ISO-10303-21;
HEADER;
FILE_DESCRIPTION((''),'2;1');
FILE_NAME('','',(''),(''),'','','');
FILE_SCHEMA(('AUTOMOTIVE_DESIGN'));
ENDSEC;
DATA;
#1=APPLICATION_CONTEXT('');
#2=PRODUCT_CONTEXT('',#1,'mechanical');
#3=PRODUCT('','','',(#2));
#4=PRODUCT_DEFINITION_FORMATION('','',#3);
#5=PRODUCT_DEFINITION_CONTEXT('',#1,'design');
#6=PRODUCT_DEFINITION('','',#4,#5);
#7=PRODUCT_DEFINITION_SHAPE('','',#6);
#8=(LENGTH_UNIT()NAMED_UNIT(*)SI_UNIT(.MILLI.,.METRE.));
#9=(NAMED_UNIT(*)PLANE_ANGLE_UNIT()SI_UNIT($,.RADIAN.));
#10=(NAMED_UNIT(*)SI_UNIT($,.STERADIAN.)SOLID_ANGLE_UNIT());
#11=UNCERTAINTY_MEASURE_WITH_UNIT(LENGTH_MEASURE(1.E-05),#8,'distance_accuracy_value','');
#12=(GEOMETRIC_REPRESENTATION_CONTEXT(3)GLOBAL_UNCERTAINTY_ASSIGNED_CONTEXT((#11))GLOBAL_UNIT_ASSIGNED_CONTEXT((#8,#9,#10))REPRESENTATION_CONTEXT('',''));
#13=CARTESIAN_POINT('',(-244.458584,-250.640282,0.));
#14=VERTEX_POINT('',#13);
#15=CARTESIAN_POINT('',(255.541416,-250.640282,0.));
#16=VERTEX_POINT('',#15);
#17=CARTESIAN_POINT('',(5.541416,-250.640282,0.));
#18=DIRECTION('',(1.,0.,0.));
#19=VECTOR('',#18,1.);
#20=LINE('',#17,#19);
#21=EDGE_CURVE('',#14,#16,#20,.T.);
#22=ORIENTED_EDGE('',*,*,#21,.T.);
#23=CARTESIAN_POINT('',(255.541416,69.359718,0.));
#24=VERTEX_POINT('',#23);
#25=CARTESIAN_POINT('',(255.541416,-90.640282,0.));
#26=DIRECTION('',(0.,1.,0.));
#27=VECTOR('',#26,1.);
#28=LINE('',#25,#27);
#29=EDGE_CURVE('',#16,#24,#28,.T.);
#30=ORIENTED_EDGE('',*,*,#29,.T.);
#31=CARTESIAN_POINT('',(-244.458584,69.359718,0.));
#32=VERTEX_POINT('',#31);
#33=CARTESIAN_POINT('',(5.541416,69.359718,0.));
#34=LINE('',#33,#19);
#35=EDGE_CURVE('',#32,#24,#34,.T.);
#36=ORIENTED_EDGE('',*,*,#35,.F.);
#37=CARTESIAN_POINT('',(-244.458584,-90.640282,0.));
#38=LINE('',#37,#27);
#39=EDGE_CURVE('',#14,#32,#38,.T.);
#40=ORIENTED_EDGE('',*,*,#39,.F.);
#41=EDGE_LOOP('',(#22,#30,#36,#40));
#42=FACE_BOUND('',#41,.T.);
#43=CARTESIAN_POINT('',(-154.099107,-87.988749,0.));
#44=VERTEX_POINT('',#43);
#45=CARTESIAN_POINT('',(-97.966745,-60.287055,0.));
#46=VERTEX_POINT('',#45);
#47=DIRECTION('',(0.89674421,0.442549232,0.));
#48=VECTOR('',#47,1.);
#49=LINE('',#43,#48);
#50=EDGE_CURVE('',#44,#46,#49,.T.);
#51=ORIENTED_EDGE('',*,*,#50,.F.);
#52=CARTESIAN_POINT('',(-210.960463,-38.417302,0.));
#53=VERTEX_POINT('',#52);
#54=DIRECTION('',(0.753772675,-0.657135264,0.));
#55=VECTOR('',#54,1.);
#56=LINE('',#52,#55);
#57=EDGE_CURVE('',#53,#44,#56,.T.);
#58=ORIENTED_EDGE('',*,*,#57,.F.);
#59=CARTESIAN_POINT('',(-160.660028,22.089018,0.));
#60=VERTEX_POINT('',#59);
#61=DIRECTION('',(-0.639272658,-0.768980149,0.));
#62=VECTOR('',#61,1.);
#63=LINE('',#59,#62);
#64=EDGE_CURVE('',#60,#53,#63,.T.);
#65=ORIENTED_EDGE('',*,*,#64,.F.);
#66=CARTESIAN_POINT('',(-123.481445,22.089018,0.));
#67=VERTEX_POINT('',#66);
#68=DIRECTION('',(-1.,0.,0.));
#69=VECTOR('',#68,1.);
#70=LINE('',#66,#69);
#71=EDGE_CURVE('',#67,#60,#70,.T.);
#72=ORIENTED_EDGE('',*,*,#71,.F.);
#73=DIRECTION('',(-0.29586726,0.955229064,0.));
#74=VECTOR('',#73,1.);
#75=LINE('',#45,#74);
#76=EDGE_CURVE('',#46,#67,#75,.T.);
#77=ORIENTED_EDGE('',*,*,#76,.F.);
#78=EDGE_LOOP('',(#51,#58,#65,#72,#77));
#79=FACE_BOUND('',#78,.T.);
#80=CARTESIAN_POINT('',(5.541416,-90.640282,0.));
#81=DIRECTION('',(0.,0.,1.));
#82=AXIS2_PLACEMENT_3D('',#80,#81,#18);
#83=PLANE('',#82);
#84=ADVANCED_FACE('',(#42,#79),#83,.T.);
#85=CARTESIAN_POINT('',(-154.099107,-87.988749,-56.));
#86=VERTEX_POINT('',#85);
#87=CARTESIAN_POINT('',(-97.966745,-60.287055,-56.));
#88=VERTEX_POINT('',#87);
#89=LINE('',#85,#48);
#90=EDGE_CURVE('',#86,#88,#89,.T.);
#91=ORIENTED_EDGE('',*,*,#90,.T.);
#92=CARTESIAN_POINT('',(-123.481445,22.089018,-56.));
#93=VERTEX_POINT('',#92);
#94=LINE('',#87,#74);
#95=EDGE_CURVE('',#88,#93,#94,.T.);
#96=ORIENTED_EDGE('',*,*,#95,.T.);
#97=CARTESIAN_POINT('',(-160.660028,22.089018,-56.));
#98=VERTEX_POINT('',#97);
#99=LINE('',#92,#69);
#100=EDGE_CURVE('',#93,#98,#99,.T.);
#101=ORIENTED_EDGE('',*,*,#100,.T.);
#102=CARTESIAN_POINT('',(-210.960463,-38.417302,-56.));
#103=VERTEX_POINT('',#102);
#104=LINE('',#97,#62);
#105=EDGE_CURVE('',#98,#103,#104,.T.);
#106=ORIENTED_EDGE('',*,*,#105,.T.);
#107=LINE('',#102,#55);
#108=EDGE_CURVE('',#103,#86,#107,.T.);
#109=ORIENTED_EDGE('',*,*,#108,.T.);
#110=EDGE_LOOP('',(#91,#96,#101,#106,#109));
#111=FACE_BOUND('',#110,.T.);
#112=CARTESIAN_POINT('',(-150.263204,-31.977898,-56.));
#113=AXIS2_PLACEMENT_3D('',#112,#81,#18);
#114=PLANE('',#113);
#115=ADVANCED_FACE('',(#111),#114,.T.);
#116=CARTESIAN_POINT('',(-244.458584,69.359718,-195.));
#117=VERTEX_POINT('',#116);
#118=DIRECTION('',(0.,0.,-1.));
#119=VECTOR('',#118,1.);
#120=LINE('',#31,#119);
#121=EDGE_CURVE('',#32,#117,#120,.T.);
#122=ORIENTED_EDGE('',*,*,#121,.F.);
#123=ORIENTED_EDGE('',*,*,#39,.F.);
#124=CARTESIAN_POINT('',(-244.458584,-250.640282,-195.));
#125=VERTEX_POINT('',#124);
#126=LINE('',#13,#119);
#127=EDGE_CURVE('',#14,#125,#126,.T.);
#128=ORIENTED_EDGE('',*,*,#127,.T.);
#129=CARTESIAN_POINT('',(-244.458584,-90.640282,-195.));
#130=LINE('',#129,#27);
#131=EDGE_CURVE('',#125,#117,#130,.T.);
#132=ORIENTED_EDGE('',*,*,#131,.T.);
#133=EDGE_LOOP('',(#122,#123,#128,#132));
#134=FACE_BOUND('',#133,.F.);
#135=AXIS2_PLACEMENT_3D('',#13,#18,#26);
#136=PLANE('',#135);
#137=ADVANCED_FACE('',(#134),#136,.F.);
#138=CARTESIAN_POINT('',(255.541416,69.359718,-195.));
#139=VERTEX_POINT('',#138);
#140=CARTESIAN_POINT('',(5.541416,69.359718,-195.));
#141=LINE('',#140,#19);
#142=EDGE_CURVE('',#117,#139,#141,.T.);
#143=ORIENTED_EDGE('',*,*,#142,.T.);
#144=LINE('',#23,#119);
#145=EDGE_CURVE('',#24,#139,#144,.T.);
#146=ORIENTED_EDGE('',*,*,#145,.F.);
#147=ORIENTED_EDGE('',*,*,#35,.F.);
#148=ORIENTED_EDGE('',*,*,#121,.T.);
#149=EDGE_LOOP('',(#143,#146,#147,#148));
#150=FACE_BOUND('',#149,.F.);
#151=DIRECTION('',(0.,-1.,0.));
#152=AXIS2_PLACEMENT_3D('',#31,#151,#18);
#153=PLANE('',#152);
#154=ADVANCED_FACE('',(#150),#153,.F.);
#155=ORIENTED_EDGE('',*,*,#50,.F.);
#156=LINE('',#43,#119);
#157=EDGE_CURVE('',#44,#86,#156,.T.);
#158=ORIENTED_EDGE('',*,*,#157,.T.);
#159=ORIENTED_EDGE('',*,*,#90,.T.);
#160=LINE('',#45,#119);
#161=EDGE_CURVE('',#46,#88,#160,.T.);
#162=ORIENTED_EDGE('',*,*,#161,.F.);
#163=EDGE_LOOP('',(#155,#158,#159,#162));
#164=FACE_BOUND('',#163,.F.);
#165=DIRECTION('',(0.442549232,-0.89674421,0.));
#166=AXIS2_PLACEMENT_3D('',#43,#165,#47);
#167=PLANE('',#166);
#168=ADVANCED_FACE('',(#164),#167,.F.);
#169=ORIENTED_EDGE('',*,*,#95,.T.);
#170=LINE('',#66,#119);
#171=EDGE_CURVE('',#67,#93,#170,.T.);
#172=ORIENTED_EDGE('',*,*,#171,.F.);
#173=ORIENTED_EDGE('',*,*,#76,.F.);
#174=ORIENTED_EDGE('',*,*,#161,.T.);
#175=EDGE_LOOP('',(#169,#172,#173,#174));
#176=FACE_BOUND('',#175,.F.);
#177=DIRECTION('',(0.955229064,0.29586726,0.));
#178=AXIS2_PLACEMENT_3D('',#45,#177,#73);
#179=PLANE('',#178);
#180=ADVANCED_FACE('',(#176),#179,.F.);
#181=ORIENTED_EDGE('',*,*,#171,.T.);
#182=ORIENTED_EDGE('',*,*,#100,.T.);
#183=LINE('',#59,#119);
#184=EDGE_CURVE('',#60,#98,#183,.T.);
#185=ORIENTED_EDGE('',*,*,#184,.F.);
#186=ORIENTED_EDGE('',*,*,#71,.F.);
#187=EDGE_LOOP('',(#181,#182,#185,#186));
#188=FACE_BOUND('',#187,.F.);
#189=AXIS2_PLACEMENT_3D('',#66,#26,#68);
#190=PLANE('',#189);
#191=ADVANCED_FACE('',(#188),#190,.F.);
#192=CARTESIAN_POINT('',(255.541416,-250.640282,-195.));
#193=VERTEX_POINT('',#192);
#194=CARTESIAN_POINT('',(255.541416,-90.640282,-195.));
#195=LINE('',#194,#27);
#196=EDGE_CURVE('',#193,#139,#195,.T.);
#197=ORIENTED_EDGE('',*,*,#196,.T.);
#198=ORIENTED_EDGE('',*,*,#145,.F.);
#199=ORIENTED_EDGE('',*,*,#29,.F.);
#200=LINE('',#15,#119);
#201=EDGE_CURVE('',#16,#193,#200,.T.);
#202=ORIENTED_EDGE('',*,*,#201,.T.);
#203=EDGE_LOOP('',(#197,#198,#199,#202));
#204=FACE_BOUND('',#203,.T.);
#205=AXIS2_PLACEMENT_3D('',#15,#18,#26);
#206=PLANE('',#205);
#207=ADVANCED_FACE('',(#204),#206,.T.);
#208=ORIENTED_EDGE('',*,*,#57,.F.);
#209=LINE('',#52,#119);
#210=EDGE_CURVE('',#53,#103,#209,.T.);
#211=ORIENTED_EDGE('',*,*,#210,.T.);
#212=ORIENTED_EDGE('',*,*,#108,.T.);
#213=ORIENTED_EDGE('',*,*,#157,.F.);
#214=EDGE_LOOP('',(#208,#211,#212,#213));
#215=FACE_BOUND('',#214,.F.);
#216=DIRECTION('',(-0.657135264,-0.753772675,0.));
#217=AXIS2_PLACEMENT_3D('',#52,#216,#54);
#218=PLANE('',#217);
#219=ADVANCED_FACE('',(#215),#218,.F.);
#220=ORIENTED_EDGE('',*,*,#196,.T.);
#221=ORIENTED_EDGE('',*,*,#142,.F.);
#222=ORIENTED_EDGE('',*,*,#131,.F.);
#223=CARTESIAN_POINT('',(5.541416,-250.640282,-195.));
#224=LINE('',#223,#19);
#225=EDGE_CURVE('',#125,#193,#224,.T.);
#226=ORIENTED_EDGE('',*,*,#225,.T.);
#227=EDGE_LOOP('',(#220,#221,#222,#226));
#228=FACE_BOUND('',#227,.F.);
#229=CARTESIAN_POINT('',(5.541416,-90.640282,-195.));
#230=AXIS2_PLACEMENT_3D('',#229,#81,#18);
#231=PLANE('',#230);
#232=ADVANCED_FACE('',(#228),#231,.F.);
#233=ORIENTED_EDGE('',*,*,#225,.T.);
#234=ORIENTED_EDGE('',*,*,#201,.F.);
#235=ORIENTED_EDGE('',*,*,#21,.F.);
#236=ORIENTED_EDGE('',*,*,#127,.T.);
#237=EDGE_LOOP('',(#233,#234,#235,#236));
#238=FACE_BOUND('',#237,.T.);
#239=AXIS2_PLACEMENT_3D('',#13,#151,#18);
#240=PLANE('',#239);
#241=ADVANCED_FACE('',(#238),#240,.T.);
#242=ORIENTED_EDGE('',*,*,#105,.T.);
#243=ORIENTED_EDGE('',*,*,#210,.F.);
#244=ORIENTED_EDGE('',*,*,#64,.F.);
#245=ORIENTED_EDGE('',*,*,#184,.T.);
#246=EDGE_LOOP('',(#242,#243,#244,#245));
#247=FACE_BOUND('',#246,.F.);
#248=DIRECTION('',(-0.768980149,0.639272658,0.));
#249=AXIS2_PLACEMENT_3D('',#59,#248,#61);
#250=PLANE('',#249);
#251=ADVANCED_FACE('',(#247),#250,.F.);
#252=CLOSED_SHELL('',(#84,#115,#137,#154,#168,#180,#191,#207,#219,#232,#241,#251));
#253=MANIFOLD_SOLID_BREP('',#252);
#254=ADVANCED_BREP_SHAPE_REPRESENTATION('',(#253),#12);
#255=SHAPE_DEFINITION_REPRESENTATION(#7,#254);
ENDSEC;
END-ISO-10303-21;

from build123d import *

# Parameters (mm, degrees)
F0_W     = 500
F0_H     = 320
F1_DEPTH = 195
F3_DEPTH = 56


with BuildPart() as f1:
    # F0 (on Top) → F1 (new body)
    with BuildSketch(Plane.XY):
        with Locations((5.541416, -90.640282)):
            Rectangle(F0_W, F0_H)
    extrude(amount=-F1_DEPTH)

    # F2 (on face) → F3 (cut)
    with BuildSketch(Plane.XY):
        Polygon((-123.481445, 22.089018), (-160.660028, 22.089018), (-210.960463, -38.417302), (-154.099107, -87.988749), (-97.966745, -60.287055), align=None)
    extrude(amount=-F3_DEPTH, mode=Mode.SUBTRACT)


solid = f1.part
